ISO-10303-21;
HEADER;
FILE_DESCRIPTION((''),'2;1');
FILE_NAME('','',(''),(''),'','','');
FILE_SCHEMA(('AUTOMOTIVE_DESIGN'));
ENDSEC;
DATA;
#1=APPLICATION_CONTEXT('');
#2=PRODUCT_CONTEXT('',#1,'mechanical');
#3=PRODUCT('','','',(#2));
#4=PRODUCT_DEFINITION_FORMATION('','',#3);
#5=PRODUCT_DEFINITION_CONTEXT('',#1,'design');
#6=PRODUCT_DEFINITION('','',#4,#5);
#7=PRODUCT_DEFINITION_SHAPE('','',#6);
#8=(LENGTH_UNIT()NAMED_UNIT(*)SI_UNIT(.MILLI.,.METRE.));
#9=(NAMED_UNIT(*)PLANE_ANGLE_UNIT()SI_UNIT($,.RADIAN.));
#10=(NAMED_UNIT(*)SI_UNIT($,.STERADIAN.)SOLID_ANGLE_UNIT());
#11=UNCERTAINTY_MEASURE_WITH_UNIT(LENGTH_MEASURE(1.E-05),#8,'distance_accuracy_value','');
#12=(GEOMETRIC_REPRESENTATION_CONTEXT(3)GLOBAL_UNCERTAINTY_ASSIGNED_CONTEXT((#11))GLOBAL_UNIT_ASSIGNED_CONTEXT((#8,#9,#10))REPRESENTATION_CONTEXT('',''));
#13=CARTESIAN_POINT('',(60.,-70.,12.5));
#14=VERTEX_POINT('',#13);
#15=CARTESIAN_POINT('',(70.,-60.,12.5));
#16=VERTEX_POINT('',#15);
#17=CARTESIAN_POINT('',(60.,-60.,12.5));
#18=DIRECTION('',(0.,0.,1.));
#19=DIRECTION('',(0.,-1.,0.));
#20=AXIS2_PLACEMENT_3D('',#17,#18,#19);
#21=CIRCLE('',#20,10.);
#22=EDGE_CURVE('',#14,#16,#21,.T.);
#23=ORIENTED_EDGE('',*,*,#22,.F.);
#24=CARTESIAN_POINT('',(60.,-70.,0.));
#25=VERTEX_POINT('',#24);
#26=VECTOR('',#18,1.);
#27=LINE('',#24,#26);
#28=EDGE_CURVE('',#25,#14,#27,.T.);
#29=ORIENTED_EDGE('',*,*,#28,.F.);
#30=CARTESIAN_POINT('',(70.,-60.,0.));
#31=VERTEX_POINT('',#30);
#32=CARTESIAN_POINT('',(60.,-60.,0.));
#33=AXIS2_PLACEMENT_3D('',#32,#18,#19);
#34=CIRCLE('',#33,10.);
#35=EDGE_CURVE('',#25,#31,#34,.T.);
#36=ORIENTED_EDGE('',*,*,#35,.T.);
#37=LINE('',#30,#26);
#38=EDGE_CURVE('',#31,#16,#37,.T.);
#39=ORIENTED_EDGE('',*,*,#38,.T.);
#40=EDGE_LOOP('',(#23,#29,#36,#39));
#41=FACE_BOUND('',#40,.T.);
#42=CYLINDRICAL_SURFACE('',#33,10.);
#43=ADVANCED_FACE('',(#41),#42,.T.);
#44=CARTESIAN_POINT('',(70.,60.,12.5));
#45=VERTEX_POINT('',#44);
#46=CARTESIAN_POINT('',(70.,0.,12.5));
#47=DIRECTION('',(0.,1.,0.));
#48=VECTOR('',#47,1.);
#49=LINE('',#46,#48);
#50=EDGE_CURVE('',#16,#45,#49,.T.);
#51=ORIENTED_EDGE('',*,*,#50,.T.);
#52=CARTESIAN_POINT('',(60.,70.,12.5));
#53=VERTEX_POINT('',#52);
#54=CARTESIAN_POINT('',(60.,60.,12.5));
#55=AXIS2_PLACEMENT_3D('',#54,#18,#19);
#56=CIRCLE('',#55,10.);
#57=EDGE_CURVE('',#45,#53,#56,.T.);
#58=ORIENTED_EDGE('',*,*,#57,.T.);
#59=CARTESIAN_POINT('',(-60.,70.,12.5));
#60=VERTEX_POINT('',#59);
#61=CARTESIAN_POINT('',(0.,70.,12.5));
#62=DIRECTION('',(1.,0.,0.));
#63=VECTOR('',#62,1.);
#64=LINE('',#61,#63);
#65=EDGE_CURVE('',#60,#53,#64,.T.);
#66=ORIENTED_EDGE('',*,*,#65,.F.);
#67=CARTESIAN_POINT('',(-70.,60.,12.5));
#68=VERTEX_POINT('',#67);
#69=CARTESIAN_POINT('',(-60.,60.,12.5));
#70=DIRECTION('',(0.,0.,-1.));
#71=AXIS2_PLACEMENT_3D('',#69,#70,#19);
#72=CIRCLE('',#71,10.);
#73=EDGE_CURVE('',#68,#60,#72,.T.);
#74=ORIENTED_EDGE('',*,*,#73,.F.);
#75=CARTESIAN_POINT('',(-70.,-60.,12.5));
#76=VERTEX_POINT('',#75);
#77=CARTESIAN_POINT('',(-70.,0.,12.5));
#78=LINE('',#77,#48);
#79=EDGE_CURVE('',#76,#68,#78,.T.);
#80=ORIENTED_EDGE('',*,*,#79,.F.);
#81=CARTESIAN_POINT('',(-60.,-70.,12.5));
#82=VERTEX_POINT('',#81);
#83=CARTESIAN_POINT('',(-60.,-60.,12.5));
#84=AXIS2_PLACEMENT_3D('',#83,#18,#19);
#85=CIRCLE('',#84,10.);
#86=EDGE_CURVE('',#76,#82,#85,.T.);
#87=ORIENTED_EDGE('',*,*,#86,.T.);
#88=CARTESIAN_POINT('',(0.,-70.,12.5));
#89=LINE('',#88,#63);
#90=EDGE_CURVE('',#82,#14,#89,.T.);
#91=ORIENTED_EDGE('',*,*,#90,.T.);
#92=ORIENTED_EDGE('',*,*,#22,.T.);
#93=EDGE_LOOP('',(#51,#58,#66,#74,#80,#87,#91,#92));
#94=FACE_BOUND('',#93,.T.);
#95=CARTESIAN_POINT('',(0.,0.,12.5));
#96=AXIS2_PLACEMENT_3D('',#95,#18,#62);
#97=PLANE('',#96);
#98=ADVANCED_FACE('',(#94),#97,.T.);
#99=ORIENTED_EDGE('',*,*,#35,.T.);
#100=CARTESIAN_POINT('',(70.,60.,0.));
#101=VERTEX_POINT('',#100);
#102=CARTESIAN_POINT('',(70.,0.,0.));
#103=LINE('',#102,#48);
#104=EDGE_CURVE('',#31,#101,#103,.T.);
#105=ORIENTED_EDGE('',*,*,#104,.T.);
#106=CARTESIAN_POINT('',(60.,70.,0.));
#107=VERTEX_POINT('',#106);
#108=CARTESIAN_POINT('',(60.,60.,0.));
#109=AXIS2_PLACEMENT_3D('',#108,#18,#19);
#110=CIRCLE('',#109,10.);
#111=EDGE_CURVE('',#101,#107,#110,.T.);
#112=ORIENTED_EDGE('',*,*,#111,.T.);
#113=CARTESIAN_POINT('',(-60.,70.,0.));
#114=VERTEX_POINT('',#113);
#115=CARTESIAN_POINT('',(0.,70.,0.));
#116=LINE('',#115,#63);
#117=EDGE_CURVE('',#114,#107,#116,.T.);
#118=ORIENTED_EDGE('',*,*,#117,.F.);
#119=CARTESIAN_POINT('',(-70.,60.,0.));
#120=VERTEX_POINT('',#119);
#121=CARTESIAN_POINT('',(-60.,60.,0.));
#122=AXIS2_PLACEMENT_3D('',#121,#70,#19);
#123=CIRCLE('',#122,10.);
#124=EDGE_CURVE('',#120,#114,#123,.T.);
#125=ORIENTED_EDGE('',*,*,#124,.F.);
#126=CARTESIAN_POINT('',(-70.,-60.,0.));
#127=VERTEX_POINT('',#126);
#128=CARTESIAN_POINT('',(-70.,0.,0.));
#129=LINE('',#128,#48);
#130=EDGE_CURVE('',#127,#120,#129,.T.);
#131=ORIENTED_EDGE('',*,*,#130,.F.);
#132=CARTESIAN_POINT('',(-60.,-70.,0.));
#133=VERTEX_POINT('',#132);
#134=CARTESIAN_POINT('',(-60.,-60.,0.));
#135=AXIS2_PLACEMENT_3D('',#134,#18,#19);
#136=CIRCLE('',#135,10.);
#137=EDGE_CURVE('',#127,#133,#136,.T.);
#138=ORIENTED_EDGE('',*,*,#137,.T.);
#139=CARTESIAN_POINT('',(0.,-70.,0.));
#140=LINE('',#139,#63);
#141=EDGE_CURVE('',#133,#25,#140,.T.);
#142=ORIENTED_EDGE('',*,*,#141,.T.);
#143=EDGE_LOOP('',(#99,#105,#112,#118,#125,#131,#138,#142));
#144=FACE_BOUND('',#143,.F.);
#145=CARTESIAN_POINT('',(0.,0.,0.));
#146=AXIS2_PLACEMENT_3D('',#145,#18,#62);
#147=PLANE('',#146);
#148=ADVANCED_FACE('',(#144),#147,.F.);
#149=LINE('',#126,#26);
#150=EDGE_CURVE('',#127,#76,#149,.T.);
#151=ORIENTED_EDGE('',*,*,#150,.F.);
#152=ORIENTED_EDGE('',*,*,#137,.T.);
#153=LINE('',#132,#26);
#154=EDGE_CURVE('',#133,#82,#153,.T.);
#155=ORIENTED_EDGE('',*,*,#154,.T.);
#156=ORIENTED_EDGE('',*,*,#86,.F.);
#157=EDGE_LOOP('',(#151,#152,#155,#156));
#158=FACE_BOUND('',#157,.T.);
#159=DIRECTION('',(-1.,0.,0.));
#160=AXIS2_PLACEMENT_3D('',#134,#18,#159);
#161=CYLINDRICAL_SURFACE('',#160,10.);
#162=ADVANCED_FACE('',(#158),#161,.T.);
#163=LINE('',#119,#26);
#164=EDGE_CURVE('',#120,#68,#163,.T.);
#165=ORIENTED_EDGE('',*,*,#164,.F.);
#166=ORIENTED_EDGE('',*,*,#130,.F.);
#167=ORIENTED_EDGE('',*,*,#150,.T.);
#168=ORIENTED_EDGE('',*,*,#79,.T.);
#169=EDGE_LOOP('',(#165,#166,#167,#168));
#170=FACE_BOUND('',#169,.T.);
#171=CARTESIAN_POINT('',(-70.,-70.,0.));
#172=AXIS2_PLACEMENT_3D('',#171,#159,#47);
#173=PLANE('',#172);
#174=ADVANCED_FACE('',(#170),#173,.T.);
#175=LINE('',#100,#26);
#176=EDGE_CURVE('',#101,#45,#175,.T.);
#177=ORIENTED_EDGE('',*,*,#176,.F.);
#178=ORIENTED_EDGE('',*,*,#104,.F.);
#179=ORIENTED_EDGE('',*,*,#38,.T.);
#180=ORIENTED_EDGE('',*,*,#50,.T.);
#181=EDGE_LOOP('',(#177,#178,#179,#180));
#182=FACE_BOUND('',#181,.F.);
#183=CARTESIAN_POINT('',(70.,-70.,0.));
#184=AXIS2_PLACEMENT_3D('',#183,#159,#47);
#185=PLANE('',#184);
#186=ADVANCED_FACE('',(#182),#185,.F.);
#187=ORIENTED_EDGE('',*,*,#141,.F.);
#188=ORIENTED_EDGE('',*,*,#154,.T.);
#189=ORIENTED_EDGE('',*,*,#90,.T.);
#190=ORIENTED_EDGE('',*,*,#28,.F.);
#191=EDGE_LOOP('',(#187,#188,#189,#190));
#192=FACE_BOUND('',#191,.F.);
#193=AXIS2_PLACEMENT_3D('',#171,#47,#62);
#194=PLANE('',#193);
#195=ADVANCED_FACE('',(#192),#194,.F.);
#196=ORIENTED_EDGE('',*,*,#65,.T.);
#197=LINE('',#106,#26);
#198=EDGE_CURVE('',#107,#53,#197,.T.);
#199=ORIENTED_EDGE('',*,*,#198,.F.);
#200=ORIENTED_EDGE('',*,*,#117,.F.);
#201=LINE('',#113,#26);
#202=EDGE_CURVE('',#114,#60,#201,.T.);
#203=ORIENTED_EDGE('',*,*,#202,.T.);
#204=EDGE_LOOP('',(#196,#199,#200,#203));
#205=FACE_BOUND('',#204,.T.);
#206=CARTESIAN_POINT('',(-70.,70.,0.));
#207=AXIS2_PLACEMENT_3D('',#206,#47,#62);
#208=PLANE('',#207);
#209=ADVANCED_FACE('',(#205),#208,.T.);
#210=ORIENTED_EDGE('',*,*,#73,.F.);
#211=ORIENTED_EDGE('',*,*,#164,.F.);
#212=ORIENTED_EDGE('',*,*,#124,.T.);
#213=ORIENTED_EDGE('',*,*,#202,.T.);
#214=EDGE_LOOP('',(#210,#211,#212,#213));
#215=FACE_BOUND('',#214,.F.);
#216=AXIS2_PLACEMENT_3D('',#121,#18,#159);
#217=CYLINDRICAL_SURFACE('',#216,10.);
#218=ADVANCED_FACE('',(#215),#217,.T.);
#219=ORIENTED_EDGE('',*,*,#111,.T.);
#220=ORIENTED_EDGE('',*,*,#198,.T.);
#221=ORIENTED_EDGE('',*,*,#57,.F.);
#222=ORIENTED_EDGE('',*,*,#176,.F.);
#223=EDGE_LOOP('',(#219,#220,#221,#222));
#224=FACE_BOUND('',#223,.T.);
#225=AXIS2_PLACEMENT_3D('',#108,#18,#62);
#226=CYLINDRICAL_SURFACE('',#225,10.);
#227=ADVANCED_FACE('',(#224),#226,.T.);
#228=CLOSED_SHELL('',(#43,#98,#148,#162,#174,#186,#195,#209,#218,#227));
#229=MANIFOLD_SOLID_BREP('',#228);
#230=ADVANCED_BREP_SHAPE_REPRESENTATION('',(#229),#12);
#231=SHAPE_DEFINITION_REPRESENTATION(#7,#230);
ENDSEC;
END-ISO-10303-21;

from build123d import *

# Parameters (mm, degrees)
F0_W     = 140
F0_H     = 140
F0_W_2   = 40
F0_H_2   = 130
F1_DEPTH = 12.5
F2_R     = 10


with BuildPart() as f1:
    # F0 (on Top) → F1 (new body)
    with BuildSketch(Plane.XY):
        Rectangle(F0_W, F0_H)
        Rectangle(F0_W_2, F0_H_2, mode=Mode.SUBTRACT)
        Rectangle(F0_W_2, F0_H_2)
    extrude(amount=F1_DEPTH)

    # F2
    f2_edges = [f1.edges().sort_by_distance(p)[0] for p in [
        (70, -70, 6.25),
        (70, 70, 6.25),
        (-70, 70, 6.25),
        (-70, -70, 6.25),
    ]]
    fillet(f2_edges, radius=F2_R)


solid = f1.part
